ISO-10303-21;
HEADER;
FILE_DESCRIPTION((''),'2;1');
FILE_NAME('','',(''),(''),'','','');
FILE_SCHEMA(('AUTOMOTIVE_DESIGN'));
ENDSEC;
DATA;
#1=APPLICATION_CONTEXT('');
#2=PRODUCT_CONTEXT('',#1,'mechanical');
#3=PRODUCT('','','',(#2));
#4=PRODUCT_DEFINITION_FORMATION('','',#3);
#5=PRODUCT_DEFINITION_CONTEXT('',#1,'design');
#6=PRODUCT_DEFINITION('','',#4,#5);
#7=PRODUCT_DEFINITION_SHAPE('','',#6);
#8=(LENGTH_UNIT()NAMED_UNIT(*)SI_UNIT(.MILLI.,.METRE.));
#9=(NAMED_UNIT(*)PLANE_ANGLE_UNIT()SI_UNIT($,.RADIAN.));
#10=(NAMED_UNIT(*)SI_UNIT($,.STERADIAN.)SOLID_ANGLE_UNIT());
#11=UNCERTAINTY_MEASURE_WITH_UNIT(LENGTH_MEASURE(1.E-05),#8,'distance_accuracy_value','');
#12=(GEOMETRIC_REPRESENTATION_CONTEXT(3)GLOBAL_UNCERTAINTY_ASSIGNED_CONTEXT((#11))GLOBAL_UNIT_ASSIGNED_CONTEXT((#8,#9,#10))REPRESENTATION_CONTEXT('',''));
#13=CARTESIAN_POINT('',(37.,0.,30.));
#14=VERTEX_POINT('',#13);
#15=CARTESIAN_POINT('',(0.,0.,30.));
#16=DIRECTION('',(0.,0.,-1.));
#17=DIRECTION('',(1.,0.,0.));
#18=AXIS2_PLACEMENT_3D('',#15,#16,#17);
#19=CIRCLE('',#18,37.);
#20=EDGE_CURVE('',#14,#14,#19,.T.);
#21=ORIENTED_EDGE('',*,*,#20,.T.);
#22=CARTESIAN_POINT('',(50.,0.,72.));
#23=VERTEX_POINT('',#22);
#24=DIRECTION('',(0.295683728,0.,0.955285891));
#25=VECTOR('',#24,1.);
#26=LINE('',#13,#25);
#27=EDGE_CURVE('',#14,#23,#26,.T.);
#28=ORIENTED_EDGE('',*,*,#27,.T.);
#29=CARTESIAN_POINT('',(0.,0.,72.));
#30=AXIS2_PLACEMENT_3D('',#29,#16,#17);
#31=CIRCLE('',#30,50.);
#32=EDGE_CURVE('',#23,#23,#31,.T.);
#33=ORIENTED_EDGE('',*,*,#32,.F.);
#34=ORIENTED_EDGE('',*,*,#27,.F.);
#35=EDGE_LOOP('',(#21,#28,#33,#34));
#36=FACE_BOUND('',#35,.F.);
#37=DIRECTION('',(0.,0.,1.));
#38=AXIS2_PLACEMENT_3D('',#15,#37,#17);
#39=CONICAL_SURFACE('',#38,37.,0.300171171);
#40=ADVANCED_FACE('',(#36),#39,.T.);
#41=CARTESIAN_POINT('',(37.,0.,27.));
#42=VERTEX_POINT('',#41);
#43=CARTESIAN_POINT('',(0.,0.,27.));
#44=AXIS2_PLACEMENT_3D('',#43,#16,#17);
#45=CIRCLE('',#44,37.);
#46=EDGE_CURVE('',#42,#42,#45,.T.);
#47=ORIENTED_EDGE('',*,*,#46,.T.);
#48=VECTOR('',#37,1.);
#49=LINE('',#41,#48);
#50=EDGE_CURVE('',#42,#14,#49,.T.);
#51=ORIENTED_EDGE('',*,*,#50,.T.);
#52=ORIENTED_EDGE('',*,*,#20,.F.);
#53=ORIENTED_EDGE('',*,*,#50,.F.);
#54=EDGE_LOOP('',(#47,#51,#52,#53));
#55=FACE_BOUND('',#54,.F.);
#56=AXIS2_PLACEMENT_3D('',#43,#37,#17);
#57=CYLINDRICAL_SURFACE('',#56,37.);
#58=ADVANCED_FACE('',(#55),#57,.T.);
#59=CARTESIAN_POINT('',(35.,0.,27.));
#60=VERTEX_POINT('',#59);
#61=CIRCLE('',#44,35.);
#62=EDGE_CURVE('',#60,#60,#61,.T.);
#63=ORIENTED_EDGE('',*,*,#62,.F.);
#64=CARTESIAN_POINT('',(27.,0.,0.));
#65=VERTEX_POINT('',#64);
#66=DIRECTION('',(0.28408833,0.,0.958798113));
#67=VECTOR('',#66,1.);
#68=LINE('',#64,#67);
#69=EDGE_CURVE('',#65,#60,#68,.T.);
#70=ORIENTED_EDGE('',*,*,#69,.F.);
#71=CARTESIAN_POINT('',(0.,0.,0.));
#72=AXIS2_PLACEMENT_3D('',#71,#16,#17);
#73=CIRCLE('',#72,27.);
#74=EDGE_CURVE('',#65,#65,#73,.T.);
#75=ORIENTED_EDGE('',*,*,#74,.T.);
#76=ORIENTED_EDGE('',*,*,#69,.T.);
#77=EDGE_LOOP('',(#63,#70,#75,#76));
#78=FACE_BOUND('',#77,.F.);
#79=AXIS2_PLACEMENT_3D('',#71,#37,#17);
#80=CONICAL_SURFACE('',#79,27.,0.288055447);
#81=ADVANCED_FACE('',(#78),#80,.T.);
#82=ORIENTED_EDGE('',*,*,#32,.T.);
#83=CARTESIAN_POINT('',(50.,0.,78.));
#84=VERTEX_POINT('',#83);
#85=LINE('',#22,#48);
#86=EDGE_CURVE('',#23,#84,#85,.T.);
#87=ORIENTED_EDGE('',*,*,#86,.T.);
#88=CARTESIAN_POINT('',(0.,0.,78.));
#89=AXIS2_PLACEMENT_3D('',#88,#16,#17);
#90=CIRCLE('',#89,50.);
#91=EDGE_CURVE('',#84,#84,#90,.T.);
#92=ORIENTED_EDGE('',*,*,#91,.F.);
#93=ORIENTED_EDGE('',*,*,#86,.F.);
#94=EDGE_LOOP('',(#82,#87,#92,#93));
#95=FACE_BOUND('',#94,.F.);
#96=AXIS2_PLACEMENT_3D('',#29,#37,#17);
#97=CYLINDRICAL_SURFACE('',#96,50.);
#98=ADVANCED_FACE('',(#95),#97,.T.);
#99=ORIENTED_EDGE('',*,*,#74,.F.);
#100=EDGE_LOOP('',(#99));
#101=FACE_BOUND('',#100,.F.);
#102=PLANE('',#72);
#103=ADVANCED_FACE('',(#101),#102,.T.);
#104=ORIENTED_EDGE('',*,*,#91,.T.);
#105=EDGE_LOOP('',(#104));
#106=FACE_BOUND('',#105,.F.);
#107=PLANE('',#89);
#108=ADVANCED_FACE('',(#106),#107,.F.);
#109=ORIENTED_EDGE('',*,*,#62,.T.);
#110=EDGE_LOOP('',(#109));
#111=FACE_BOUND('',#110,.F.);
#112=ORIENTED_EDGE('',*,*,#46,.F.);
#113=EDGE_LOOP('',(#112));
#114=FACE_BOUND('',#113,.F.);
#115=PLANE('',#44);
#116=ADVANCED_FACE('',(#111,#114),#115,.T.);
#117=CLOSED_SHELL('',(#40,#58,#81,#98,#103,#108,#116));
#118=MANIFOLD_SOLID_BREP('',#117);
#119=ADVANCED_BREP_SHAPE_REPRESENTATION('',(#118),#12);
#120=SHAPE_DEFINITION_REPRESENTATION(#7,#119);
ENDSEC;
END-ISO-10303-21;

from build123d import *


with BuildPart() as f1:
    # F0 (on Front) → F1 (revolve)
    with BuildSketch(Plane.XZ):
        Polygon((0, 15), (0, 0), (27, 0), (35, 27), (20, 27), (20, 24), (23, 24), (23, 21), (20, 21), (20, 18), (23, 18), (23, 15), align=None)
        Polygon((0, 21), (0, 15), (23, 15), (23, 18), (20, 18), (20, 21), (23, 21), (23, 24), (20, 24), (20, 27), (3, 27), (3, 21), align=None)
        Polygon((20, 27), (35, 27), (37, 27), (37, 30), (25.125, 30), (25.125, 36), (17.875, 36), (17.875, 30), (4, 30), (3, 30), (3, 27), align=None)
        Polygon((0, 78), (0, 21), (3, 21), (3, 27), (3, 30), (4, 30), (4, 36), (10.5, 36), (10.5, 42), (32.875, 42), (32.875, 78), align=None)
        Polygon((25.125, 30), (37, 30), (50, 72), (43.125, 72), (43.125, 66), (35.875, 66), (35.875, 60), (38.875, 60), (38.875, 57), (35.875, 57), (35.875, 54), (38.875, 54), (38.875, 51), (35.875, 51), (35.875, 39), (25.125, 39), (25.125, 36), align=None)
        Polygon((39, 78), (32.875, 78), (32.875, 42), (10.5, 42), (10.5, 36), (4, 36), (4, 30), (17.875, 30), (17.875, 36), (25.125, 36), (25.125, 39), (35.875, 39), (35.875, 51), (38.875, 51), (38.875, 54), (35.875, 54), (35.875, 57), (38.875, 57), (38.875, 60), (35.875, 60), (35.875, 66), (35.875, 72), align=None)
        Polygon((43.125, 72), (50, 72), (50, 78), (39, 78), (35.875, 72), (35.875, 66), (43.125, 66), align=None)
    revolve(axis=Axis((0, 0, 49.5), (0, 0, -1)))


solid = f1.part
